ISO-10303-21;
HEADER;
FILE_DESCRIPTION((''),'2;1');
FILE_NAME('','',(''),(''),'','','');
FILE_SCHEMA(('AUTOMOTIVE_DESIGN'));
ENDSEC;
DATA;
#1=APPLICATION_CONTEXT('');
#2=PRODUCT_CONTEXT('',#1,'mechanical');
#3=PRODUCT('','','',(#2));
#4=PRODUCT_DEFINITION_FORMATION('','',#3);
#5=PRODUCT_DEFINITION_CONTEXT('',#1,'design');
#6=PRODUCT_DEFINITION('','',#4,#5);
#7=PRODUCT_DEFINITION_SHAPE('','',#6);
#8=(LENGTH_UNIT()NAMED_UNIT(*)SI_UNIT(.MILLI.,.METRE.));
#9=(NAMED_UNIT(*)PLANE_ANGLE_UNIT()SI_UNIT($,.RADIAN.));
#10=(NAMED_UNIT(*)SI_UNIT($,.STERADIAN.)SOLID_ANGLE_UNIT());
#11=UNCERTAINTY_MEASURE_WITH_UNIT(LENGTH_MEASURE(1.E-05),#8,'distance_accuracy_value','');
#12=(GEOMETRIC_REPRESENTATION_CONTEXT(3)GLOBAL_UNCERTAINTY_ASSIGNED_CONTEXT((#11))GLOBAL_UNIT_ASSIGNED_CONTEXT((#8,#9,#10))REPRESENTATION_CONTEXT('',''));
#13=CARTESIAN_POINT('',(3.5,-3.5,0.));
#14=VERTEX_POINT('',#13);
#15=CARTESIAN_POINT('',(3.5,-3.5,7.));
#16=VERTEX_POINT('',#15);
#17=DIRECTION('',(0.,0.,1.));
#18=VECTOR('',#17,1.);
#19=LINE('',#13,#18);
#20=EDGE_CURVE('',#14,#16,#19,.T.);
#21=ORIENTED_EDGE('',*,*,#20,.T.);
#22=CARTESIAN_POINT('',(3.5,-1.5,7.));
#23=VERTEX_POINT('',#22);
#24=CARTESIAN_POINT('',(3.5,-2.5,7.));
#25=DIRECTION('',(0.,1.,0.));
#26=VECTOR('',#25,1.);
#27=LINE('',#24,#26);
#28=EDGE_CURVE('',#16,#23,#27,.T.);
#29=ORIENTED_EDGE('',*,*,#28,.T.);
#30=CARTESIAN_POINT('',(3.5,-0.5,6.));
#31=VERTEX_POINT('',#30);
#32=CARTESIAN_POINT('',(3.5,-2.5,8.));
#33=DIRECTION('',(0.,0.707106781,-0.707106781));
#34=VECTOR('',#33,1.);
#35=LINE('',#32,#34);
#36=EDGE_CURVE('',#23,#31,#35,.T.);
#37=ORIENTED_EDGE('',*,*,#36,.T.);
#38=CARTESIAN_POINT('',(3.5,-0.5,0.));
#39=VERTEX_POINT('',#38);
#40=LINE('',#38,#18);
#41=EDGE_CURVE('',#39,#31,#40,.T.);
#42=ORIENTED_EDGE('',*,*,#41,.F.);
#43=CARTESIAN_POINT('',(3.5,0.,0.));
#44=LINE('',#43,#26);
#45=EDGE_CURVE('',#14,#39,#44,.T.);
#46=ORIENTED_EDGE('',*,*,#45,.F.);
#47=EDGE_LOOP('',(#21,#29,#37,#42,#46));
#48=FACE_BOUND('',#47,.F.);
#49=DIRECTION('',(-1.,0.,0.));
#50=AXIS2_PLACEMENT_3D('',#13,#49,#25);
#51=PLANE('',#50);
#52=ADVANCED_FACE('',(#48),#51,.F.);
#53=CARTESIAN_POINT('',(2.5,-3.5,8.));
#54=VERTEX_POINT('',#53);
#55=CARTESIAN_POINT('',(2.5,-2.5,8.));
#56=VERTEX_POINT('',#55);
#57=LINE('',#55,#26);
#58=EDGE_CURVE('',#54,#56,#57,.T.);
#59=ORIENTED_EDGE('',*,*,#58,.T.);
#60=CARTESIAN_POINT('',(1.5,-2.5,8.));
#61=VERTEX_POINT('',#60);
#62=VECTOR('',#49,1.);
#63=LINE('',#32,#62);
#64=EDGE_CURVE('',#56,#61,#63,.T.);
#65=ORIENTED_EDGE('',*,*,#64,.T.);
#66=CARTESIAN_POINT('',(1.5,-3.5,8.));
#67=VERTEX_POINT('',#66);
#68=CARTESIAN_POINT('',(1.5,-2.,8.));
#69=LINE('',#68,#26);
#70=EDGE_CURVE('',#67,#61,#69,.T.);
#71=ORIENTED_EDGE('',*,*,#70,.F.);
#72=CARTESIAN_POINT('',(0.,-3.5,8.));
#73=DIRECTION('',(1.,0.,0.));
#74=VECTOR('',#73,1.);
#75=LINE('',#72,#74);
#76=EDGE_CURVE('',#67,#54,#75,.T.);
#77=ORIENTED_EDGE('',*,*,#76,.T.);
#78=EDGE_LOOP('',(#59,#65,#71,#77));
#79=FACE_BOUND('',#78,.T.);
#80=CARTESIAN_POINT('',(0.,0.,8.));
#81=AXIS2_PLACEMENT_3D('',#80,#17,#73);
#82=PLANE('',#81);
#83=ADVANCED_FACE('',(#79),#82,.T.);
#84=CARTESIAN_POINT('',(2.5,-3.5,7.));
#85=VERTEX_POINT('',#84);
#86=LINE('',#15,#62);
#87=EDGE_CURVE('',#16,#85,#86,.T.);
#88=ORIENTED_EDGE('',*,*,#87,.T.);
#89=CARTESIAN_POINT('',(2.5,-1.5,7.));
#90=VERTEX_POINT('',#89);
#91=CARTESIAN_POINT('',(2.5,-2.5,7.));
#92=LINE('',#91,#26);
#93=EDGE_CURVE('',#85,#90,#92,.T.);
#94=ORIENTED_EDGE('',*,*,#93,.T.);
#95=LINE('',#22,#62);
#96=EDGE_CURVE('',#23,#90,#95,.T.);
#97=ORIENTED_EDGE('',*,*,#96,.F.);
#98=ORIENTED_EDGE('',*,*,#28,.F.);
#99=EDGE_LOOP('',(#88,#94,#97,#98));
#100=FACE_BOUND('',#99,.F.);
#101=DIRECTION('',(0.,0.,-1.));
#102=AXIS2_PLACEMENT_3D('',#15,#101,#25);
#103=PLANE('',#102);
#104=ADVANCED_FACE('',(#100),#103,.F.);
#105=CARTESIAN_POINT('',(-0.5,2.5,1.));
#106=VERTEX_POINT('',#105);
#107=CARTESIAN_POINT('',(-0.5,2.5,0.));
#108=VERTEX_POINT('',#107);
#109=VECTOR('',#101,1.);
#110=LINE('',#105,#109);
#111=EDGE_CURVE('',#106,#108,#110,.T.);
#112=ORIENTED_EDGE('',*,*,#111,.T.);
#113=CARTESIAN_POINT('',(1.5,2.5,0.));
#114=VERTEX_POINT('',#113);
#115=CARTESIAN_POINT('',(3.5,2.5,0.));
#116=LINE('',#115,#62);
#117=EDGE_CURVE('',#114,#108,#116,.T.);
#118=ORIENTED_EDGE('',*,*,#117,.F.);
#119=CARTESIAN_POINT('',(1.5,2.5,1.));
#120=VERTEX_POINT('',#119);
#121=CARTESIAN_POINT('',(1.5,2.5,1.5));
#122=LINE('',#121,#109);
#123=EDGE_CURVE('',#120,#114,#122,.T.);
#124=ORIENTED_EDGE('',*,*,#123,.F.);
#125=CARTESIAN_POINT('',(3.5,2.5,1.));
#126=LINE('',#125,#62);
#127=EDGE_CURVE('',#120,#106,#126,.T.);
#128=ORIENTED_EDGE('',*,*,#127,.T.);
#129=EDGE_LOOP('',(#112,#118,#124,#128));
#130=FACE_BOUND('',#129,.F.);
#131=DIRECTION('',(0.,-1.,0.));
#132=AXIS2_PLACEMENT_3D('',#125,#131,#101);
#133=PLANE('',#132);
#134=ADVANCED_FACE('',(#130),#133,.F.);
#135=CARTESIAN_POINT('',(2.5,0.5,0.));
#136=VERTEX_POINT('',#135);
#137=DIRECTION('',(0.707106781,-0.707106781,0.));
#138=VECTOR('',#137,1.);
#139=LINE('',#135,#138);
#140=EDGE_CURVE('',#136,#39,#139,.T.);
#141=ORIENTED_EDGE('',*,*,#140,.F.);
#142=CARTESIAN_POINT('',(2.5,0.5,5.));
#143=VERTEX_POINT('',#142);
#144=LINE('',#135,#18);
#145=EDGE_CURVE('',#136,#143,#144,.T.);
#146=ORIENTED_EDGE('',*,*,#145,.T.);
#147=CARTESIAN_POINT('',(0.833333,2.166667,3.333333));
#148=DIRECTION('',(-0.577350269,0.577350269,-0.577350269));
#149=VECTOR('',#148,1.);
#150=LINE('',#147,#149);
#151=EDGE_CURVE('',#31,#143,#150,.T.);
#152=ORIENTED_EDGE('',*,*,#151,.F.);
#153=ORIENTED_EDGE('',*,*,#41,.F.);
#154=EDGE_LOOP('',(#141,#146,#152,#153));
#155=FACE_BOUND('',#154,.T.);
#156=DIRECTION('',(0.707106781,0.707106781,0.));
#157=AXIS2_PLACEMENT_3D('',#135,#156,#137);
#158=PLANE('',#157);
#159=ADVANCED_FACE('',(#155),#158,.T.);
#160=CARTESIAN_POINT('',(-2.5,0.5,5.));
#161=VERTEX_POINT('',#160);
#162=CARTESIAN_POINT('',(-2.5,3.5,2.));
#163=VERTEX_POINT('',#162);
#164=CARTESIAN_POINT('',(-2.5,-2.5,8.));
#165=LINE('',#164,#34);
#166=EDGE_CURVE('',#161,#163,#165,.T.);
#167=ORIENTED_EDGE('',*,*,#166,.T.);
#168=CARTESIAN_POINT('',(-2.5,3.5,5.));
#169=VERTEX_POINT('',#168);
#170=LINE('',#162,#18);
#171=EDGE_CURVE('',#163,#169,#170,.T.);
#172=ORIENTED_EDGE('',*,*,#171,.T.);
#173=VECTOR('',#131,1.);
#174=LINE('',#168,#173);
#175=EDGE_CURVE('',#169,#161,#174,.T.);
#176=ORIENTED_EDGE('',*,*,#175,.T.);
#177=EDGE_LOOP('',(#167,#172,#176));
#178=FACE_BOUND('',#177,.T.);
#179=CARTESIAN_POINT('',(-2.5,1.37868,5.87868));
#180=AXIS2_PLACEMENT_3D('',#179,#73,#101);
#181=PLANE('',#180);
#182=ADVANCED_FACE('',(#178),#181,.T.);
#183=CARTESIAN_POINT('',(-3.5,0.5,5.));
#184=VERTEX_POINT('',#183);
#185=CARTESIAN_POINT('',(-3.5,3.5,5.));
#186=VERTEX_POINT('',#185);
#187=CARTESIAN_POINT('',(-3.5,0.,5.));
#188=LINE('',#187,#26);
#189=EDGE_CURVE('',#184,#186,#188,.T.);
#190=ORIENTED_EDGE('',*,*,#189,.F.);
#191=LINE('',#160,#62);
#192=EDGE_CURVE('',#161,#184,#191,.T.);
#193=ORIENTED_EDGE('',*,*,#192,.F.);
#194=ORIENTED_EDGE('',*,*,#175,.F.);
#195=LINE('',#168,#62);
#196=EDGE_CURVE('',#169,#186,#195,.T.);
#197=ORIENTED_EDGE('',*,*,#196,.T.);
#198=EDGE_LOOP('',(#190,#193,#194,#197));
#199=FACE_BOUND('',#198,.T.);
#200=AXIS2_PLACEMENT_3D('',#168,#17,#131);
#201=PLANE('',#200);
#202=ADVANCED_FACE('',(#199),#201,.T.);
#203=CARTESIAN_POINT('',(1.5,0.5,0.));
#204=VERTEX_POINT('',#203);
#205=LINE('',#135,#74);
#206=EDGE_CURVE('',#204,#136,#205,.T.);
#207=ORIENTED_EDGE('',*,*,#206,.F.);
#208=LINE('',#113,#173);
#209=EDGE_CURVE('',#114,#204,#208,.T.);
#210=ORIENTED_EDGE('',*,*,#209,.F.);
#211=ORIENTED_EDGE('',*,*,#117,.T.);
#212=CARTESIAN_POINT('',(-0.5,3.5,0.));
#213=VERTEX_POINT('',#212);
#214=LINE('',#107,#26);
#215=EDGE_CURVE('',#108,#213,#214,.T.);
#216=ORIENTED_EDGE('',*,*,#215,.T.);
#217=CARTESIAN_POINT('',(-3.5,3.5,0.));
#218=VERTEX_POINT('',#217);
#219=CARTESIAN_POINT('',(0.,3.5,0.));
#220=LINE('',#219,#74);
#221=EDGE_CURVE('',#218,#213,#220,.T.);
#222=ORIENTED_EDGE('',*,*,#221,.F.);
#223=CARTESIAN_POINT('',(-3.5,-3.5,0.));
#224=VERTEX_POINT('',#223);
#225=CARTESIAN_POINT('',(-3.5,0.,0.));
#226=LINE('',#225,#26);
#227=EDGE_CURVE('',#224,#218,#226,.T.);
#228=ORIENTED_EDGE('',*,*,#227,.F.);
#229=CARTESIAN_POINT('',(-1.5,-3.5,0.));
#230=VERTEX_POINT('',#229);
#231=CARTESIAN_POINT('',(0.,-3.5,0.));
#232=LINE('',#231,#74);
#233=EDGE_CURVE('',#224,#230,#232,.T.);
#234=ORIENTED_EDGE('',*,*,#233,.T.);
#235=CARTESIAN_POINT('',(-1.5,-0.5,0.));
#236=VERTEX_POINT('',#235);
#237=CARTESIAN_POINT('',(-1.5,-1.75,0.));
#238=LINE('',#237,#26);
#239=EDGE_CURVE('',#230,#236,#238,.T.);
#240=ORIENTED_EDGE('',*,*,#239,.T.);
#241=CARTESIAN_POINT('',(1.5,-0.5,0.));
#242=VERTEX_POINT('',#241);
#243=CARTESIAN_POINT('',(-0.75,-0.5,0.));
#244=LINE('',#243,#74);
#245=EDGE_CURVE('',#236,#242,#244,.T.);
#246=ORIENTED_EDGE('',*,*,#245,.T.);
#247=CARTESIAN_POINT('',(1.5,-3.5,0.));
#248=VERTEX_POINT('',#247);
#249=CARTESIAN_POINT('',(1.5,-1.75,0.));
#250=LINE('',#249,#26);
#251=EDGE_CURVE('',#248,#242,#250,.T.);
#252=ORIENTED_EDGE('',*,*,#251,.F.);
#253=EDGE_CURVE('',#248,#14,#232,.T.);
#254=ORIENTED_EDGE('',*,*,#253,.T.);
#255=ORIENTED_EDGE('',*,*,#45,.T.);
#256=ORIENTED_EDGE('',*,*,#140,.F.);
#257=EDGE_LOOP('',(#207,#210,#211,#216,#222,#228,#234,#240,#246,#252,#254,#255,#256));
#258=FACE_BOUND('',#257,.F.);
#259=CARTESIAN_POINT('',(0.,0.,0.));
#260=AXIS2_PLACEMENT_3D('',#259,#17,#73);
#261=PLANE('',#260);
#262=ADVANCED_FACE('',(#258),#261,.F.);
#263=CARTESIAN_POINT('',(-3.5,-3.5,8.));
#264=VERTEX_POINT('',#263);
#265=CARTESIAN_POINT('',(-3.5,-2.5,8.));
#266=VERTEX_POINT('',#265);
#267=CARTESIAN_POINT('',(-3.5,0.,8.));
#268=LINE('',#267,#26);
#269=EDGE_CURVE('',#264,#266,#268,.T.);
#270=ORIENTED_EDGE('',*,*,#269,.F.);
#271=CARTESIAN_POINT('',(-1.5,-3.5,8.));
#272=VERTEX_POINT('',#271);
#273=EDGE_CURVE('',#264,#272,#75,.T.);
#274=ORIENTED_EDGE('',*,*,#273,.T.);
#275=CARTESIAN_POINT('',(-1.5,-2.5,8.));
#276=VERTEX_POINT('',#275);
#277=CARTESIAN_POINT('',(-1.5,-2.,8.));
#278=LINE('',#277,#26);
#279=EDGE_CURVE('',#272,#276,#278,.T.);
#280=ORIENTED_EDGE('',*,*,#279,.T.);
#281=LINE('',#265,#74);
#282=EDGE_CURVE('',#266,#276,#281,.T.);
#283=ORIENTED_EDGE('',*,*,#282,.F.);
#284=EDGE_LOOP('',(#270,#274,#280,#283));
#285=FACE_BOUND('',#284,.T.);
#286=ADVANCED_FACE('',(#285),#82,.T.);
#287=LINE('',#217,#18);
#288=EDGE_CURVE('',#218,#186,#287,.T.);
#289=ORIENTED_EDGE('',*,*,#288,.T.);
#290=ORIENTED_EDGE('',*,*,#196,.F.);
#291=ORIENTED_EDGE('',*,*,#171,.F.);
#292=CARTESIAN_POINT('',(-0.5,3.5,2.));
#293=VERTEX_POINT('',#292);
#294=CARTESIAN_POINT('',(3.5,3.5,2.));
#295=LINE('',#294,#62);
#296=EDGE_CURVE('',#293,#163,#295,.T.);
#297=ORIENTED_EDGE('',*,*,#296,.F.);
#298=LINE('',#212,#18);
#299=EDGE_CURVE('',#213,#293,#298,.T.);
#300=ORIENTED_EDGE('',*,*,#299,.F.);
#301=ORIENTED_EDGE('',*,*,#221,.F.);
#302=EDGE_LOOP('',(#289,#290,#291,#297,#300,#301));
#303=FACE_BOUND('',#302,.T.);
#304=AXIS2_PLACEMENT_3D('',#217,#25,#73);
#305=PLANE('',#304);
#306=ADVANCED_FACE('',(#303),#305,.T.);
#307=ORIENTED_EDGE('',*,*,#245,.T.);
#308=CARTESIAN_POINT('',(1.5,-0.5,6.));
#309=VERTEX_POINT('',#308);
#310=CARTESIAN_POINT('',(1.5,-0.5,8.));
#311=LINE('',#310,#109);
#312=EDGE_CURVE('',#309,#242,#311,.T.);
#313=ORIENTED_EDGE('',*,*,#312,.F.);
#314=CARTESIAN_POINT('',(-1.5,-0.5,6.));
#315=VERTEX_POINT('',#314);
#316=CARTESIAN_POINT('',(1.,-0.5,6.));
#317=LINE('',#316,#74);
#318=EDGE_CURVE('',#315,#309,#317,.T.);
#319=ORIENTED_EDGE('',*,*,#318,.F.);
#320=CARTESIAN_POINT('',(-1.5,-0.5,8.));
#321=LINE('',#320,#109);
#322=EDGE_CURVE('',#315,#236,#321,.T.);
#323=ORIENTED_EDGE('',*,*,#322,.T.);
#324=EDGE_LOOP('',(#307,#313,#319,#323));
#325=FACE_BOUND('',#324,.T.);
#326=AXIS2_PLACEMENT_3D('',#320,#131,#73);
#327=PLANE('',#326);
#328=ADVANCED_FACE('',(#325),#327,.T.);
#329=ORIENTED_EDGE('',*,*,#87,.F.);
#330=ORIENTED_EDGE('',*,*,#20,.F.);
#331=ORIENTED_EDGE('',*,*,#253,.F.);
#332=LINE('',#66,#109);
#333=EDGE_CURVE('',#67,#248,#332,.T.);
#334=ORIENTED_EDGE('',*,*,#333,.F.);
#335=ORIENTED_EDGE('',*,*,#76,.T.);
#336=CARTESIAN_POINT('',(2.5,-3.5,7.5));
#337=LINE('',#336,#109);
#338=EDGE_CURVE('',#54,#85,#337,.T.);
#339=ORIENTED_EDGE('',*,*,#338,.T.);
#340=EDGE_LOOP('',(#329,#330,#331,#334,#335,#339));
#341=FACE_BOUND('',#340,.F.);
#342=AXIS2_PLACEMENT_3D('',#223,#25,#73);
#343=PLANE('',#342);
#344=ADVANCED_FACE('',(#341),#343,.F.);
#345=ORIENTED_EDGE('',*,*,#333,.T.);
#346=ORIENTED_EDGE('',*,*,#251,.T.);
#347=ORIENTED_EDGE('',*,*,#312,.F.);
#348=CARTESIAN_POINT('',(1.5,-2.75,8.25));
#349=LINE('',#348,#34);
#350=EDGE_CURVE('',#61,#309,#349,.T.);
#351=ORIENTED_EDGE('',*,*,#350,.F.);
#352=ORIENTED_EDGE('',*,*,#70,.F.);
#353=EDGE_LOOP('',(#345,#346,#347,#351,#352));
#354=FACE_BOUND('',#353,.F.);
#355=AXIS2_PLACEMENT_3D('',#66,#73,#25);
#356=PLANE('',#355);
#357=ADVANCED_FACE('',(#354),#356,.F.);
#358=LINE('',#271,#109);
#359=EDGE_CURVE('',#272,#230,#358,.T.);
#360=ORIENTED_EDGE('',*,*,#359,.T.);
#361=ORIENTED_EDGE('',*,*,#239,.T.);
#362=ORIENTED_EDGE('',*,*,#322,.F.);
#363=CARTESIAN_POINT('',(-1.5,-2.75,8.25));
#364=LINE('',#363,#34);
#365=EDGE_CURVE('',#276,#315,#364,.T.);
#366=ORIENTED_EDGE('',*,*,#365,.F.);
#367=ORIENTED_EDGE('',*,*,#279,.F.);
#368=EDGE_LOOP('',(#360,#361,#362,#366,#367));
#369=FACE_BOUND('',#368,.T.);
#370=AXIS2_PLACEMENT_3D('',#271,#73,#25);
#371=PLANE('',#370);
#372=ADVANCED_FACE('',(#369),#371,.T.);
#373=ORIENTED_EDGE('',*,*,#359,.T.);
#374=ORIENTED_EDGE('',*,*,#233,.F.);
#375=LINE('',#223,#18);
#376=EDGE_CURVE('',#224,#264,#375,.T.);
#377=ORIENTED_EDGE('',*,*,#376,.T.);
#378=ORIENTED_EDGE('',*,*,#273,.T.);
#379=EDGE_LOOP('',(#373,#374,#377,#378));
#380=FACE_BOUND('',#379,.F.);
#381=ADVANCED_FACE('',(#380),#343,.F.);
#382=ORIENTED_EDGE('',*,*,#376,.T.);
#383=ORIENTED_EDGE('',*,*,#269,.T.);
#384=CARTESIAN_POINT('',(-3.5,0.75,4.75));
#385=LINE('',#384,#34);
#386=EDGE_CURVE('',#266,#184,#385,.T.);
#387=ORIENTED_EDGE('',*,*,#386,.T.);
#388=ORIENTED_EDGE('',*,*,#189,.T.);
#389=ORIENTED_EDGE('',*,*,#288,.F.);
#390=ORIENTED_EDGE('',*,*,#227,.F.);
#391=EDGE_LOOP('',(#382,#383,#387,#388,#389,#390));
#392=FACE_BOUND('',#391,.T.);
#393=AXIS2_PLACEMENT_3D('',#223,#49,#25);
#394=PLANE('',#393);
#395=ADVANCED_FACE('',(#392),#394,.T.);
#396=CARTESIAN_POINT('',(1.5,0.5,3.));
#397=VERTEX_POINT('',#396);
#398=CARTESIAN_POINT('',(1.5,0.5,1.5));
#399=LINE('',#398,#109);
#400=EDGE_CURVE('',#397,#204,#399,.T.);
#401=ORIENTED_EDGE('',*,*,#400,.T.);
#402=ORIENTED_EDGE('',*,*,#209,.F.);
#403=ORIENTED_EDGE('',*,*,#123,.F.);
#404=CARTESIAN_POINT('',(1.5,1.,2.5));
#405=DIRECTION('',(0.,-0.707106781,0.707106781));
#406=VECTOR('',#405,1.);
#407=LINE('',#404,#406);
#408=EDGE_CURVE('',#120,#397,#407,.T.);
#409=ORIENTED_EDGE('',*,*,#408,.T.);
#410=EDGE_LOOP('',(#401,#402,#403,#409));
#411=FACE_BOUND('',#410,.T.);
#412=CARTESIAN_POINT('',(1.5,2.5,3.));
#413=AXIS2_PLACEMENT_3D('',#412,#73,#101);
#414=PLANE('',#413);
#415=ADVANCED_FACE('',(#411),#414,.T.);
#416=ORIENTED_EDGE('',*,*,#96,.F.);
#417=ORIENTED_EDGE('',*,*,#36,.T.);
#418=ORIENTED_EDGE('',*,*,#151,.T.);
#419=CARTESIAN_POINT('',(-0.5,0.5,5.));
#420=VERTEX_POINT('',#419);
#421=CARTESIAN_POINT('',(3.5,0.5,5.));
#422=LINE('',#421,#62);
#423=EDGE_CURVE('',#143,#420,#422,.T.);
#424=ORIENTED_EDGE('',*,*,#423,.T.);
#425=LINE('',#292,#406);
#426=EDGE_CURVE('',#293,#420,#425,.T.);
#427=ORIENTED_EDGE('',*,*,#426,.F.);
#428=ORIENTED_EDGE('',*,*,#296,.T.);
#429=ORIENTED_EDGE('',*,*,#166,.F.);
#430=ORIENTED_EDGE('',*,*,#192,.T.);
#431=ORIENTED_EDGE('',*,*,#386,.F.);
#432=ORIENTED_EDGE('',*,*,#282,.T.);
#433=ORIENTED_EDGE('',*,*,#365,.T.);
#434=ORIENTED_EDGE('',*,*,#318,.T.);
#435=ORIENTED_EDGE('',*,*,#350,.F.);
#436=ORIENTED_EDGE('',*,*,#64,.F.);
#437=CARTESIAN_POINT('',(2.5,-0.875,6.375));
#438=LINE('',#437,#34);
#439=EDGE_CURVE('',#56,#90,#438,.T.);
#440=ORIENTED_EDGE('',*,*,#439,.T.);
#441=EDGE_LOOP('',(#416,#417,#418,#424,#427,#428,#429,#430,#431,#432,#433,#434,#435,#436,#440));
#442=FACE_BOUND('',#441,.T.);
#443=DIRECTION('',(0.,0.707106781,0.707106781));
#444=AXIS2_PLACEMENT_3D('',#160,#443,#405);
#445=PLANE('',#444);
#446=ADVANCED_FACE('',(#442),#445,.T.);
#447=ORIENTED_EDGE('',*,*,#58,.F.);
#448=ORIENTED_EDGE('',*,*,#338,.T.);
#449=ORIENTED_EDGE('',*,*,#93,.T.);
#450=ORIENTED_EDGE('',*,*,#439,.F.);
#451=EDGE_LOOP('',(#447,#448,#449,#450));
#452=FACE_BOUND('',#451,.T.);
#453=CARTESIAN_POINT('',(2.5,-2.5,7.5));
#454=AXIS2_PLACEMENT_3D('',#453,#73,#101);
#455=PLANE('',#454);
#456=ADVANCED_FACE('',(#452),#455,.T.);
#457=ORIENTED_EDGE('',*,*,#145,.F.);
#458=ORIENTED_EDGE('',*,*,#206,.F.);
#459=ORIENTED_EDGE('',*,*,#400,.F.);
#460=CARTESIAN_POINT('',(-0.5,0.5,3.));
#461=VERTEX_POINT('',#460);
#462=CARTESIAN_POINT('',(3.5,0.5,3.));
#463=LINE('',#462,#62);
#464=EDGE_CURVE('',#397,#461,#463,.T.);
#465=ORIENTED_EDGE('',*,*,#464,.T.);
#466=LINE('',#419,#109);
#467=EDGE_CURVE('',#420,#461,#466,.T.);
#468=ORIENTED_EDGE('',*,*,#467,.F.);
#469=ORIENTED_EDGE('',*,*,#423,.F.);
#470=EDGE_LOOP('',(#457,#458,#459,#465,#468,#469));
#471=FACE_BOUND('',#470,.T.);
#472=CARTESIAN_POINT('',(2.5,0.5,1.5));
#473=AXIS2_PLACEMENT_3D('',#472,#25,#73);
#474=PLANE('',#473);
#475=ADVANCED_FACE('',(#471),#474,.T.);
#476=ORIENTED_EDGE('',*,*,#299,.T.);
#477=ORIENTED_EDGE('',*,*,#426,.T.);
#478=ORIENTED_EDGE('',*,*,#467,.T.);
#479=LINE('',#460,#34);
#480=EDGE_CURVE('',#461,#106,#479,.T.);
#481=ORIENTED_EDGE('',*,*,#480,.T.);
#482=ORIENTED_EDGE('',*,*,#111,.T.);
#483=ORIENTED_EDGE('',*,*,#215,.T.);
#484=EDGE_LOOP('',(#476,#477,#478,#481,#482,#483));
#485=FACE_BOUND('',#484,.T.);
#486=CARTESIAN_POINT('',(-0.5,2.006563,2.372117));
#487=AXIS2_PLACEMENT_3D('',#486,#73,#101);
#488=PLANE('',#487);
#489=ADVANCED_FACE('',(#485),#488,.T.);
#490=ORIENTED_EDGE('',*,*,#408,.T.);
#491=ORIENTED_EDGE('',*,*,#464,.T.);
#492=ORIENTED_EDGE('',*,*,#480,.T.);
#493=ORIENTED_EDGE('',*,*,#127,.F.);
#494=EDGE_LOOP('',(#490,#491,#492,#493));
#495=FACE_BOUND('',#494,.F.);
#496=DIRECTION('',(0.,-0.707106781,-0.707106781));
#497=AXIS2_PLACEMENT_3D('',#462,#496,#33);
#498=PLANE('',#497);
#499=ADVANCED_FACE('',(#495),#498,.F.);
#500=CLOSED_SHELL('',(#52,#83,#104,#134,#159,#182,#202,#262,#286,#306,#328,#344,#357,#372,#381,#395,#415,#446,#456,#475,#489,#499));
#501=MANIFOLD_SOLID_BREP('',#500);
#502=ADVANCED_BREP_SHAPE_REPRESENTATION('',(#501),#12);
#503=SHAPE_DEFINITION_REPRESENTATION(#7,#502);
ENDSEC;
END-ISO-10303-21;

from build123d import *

# Parameters (mm, degrees)
SKETCH1_W           = 7
SKETCH1_H           = 7
BOSS_EXTRUDE1_DEPTH = 8
SKETCH2_W           = 3
SKETCH2_H           = 3
CUT_EXTRUDE1_DEPTH  = 9
CUT_EXTRUDE2_DEPTH  = 6
CUT_EXTRUDE3_DEPTH  = 6
SKETCH5_W           = 1
SKETCH5_H           = 2
CUT_EXTRUDE4_DEPTH  = 1
CUT_EXTRUDE5_DEPTH  = 4
SKETCH7_W           = 2
SKETCH7_H           = 3
CUT_EXTRUDE6_DEPTH  = 2
CUT_EXTRUDE7_DEPTH  = 6


with BuildPart() as part:
    # Sketch1 → Boss-Extrude1 (new body)
    with BuildSketch(Plane.XY):
        Rectangle(SKETCH1_W, SKETCH1_H)
    extrude(amount=BOSS_EXTRUDE1_DEPTH)

    # Sketch2 → Cut-Extrude1 (cut, through all)
    with BuildSketch(Plane.XY.offset(8)):
        with Locations((0, -2)):
            Rectangle(SKETCH2_W, SKETCH2_H)
    extrude(amount=-CUT_EXTRUDE1_DEPTH, mode=Mode.SUBTRACT)

    # Sketch3 → Cut-Extrude2 (cut)
    with BuildSketch(Plane(origin=(3.5, 0, 0), x_dir=(0, 0, -1), z_dir=(1, 0, 0))):
        Polygon((-8, -2.5), (-2, 3.5), (-8, 3.5), align=None)
    extrude(amount=-CUT_EXTRUDE2_DEPTH, mode=Mode.SUBTRACT)

    # Sketch4 → Cut-Extrude3 (cut)
    with BuildSketch(Plane(origin=(-2.5, 0, 0), x_dir=(0, 0, -1), z_dir=(1, 0, 0))):
        Polygon((-5, 3.5), (-5, 0.5), (-8, -2.5), (-8, 3.5), align=None)
    extrude(amount=-CUT_EXTRUDE3_DEPTH, mode=Mode.SUBTRACT)

    # Sketch5 → Cut-Extrude4 (cut)
    with BuildSketch(Plane(origin=(3.5, 0, 0), x_dir=(0, 0, -1), z_dir=(1, 0, 0))):
        with Locations((-7.5, -2.5)):
            Rectangle(SKETCH5_W, SKETCH5_H)
    extrude(amount=-CUT_EXTRUDE4_DEPTH, mode=Mode.SUBTRACT)

    # Sketch6 → Cut-Extrude5 (cut)
    with BuildSketch(Plane(origin=(3.5, 0, 0), x_dir=(0, 0, -1), z_dir=(1, 0, 0))):
        Polygon((0, 3.5), (-2, 3.5), (-5, 0.5), (-3, 0.5), (-1, 2.5), (0, 2.5), align=None)
    extrude(amount=-CUT_EXTRUDE5_DEPTH, mode=Mode.SUBTRACT)

    # Sketch7 → Cut-Extrude6 (cut)
    with BuildSketch(Plane(origin=(0, 2.5, 0), x_dir=(1, 0, 0), z_dir=(0, 1, 0))):
        with Locations((2.5, -1.5)):
            Rectangle(SKETCH7_W, SKETCH7_H)
    extrude(amount=-CUT_EXTRUDE6_DEPTH, mode=Mode.SUBTRACT)

    # Sketch8 → Cut-Extrude7 (cut)
    with BuildSketch(Plane(origin=(0, 0, 0), x_dir=(-1, 0, 0), z_dir=(0, 0, -1))):
        Polygon((-2.5, 0.5), (-3.5, -0.5), (-3.5, 0.5), align=None)
    extrude(amount=-CUT_EXTRUDE7_DEPTH, mode=Mode.SUBTRACT)


solid = part.part
